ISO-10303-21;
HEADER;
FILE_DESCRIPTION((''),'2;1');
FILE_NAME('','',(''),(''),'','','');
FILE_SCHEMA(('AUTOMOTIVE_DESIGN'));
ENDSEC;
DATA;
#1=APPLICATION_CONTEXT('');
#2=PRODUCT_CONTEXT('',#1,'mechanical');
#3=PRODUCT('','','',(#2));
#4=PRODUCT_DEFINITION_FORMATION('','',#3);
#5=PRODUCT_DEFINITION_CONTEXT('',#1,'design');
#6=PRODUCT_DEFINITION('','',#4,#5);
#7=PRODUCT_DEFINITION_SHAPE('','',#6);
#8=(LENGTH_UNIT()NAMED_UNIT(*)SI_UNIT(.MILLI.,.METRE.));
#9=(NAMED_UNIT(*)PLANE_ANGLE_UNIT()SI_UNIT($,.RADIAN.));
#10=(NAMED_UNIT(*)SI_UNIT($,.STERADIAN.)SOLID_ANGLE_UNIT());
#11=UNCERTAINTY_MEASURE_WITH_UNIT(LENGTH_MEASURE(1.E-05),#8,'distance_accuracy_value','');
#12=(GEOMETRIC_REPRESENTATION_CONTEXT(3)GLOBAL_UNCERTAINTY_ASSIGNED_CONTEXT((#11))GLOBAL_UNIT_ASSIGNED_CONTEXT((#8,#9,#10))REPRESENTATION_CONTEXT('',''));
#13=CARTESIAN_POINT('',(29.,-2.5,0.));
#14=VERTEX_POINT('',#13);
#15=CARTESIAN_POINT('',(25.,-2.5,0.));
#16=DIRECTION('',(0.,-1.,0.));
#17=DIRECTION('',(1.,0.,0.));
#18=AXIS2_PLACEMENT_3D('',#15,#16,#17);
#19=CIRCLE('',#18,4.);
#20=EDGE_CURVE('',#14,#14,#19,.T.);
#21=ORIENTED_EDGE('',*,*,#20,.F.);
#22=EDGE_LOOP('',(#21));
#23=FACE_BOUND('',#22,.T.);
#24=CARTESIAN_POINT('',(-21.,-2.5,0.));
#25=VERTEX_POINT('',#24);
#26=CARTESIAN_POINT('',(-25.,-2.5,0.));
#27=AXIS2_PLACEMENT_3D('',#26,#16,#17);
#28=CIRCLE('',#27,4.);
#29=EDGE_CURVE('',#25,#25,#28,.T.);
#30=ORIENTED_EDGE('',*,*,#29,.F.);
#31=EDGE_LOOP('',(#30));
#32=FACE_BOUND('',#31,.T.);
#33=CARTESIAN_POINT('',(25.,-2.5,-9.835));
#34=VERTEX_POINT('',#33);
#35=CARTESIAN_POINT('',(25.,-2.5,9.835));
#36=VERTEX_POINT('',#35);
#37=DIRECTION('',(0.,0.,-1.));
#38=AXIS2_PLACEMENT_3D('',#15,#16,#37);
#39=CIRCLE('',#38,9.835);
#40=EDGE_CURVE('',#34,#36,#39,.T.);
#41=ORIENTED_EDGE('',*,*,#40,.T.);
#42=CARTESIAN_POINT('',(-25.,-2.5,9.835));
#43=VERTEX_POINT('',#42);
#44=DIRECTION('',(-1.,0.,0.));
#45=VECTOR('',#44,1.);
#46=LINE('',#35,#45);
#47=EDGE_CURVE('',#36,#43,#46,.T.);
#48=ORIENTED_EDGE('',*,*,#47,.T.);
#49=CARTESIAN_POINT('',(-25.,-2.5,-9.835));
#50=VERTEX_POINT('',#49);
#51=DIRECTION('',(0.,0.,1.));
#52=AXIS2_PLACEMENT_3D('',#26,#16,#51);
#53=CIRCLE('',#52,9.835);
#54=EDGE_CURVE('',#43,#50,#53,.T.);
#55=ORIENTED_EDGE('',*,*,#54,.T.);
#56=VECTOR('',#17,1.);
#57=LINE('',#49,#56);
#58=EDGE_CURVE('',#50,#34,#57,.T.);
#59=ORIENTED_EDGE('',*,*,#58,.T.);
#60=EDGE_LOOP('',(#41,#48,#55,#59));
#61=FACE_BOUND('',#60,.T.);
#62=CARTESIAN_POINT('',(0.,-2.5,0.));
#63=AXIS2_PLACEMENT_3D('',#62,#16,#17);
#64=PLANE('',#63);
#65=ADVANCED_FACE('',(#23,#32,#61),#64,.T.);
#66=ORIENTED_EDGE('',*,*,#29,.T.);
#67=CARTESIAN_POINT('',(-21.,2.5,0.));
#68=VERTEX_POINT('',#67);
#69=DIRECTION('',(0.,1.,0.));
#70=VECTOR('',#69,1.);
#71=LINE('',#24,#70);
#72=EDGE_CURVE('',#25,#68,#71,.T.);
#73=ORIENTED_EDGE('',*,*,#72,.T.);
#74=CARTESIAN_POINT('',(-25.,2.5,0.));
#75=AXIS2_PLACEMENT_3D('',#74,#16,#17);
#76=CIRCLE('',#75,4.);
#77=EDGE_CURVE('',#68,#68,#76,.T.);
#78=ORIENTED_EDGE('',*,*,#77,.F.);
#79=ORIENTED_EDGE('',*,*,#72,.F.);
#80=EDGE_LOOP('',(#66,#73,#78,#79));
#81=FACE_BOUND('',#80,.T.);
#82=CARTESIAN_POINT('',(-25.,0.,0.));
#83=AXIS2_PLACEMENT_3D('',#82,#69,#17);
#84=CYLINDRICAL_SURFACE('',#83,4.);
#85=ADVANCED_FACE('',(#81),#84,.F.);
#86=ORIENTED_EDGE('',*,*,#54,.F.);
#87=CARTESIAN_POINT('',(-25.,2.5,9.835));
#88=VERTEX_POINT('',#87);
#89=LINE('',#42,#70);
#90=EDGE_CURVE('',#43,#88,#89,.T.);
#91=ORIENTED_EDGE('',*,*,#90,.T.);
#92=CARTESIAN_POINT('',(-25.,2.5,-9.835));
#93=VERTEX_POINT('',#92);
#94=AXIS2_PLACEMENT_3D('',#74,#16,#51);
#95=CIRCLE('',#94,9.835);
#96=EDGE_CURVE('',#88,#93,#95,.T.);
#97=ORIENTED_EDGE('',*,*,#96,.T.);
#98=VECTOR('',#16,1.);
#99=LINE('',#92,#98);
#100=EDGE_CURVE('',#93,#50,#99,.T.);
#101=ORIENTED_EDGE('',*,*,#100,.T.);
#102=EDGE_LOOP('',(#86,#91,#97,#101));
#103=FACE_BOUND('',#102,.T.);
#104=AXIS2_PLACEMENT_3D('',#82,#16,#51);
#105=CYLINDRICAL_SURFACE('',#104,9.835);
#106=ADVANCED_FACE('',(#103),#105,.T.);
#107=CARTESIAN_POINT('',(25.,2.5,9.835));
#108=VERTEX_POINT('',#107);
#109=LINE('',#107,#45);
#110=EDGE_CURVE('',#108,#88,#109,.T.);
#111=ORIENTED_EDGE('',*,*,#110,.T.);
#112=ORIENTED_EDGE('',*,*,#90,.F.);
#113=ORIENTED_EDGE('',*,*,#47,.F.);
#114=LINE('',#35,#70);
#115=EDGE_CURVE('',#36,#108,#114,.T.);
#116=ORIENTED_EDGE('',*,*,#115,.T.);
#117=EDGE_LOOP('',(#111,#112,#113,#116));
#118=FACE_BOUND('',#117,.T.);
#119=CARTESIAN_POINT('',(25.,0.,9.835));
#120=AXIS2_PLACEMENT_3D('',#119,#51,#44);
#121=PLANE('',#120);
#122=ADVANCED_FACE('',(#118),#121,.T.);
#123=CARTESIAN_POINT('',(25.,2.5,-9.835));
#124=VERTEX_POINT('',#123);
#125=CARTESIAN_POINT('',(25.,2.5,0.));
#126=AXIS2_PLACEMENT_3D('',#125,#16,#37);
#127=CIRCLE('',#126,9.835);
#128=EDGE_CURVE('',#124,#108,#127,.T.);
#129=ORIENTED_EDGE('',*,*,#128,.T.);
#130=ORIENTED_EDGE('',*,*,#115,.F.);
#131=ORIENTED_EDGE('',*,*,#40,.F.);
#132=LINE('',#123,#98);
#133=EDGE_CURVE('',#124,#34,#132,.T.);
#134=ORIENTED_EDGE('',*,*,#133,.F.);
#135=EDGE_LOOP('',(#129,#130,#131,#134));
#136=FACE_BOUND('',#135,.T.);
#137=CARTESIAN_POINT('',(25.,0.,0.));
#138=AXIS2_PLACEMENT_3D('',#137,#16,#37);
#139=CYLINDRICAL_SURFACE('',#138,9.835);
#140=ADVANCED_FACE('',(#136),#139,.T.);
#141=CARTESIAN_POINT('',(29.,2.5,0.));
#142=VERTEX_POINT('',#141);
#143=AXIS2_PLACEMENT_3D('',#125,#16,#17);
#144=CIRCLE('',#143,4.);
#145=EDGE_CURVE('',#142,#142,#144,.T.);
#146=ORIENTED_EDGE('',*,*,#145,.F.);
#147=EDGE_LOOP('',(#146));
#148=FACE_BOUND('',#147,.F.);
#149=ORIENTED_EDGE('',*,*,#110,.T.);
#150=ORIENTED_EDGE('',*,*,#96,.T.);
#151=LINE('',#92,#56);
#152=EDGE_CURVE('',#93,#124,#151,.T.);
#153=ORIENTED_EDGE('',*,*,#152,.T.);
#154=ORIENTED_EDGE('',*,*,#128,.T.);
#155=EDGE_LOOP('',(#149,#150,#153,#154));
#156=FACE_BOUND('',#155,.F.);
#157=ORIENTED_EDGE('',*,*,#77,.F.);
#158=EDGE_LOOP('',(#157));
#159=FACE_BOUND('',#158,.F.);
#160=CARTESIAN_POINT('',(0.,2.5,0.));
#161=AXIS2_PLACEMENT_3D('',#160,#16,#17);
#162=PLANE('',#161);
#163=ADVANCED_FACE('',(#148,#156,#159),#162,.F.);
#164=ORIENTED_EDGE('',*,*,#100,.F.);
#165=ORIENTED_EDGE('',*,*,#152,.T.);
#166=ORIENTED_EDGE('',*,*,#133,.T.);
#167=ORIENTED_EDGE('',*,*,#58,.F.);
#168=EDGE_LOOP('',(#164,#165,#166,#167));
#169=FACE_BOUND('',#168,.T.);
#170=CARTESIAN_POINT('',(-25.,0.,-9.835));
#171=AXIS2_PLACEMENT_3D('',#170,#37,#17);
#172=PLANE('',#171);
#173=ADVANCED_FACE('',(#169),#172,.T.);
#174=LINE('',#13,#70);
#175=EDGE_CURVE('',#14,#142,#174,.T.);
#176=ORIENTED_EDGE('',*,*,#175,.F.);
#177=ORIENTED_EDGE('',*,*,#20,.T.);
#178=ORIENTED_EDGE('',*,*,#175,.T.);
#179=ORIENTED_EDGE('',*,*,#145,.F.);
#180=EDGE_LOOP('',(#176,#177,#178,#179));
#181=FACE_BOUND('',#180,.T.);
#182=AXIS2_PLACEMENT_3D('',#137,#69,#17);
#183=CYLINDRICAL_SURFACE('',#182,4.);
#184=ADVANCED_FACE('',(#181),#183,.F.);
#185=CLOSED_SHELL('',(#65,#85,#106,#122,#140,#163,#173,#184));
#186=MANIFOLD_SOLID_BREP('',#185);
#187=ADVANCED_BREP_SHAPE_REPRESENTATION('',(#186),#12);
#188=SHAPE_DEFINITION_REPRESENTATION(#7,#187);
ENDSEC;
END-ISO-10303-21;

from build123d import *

# Parameters (mm, degrees)
F0_R     = 4
F1_DEPTH = 2.5


with BuildPart() as f1:
    # F0 (on Front) → F1 (new body, symmetric)
    with BuildSketch(Plane.XZ):
        with BuildLine():
            Line((0, 9.835), (-25, 9.835))
            ThreePointArc((-25, 9.835), (-34.835, 0), (-25, -9.835))
            Line((-25, -9.835), (0, -9.835))
            Line((0, -9.835), (25, -9.835))
            ThreePointArc((25, -9.835), (34.835, 0), (25, 9.835))
            Line((25, 9.835), (0, 9.835))
        make_face()
        with Locations((-25, 0)):
            Circle(F0_R, mode=Mode.SUBTRACT)
        with Locations((25, 0)):
            Circle(F0_R, mode=Mode.SUBTRACT)
    extrude(amount=F1_DEPTH, both=True)


solid = f1.part
